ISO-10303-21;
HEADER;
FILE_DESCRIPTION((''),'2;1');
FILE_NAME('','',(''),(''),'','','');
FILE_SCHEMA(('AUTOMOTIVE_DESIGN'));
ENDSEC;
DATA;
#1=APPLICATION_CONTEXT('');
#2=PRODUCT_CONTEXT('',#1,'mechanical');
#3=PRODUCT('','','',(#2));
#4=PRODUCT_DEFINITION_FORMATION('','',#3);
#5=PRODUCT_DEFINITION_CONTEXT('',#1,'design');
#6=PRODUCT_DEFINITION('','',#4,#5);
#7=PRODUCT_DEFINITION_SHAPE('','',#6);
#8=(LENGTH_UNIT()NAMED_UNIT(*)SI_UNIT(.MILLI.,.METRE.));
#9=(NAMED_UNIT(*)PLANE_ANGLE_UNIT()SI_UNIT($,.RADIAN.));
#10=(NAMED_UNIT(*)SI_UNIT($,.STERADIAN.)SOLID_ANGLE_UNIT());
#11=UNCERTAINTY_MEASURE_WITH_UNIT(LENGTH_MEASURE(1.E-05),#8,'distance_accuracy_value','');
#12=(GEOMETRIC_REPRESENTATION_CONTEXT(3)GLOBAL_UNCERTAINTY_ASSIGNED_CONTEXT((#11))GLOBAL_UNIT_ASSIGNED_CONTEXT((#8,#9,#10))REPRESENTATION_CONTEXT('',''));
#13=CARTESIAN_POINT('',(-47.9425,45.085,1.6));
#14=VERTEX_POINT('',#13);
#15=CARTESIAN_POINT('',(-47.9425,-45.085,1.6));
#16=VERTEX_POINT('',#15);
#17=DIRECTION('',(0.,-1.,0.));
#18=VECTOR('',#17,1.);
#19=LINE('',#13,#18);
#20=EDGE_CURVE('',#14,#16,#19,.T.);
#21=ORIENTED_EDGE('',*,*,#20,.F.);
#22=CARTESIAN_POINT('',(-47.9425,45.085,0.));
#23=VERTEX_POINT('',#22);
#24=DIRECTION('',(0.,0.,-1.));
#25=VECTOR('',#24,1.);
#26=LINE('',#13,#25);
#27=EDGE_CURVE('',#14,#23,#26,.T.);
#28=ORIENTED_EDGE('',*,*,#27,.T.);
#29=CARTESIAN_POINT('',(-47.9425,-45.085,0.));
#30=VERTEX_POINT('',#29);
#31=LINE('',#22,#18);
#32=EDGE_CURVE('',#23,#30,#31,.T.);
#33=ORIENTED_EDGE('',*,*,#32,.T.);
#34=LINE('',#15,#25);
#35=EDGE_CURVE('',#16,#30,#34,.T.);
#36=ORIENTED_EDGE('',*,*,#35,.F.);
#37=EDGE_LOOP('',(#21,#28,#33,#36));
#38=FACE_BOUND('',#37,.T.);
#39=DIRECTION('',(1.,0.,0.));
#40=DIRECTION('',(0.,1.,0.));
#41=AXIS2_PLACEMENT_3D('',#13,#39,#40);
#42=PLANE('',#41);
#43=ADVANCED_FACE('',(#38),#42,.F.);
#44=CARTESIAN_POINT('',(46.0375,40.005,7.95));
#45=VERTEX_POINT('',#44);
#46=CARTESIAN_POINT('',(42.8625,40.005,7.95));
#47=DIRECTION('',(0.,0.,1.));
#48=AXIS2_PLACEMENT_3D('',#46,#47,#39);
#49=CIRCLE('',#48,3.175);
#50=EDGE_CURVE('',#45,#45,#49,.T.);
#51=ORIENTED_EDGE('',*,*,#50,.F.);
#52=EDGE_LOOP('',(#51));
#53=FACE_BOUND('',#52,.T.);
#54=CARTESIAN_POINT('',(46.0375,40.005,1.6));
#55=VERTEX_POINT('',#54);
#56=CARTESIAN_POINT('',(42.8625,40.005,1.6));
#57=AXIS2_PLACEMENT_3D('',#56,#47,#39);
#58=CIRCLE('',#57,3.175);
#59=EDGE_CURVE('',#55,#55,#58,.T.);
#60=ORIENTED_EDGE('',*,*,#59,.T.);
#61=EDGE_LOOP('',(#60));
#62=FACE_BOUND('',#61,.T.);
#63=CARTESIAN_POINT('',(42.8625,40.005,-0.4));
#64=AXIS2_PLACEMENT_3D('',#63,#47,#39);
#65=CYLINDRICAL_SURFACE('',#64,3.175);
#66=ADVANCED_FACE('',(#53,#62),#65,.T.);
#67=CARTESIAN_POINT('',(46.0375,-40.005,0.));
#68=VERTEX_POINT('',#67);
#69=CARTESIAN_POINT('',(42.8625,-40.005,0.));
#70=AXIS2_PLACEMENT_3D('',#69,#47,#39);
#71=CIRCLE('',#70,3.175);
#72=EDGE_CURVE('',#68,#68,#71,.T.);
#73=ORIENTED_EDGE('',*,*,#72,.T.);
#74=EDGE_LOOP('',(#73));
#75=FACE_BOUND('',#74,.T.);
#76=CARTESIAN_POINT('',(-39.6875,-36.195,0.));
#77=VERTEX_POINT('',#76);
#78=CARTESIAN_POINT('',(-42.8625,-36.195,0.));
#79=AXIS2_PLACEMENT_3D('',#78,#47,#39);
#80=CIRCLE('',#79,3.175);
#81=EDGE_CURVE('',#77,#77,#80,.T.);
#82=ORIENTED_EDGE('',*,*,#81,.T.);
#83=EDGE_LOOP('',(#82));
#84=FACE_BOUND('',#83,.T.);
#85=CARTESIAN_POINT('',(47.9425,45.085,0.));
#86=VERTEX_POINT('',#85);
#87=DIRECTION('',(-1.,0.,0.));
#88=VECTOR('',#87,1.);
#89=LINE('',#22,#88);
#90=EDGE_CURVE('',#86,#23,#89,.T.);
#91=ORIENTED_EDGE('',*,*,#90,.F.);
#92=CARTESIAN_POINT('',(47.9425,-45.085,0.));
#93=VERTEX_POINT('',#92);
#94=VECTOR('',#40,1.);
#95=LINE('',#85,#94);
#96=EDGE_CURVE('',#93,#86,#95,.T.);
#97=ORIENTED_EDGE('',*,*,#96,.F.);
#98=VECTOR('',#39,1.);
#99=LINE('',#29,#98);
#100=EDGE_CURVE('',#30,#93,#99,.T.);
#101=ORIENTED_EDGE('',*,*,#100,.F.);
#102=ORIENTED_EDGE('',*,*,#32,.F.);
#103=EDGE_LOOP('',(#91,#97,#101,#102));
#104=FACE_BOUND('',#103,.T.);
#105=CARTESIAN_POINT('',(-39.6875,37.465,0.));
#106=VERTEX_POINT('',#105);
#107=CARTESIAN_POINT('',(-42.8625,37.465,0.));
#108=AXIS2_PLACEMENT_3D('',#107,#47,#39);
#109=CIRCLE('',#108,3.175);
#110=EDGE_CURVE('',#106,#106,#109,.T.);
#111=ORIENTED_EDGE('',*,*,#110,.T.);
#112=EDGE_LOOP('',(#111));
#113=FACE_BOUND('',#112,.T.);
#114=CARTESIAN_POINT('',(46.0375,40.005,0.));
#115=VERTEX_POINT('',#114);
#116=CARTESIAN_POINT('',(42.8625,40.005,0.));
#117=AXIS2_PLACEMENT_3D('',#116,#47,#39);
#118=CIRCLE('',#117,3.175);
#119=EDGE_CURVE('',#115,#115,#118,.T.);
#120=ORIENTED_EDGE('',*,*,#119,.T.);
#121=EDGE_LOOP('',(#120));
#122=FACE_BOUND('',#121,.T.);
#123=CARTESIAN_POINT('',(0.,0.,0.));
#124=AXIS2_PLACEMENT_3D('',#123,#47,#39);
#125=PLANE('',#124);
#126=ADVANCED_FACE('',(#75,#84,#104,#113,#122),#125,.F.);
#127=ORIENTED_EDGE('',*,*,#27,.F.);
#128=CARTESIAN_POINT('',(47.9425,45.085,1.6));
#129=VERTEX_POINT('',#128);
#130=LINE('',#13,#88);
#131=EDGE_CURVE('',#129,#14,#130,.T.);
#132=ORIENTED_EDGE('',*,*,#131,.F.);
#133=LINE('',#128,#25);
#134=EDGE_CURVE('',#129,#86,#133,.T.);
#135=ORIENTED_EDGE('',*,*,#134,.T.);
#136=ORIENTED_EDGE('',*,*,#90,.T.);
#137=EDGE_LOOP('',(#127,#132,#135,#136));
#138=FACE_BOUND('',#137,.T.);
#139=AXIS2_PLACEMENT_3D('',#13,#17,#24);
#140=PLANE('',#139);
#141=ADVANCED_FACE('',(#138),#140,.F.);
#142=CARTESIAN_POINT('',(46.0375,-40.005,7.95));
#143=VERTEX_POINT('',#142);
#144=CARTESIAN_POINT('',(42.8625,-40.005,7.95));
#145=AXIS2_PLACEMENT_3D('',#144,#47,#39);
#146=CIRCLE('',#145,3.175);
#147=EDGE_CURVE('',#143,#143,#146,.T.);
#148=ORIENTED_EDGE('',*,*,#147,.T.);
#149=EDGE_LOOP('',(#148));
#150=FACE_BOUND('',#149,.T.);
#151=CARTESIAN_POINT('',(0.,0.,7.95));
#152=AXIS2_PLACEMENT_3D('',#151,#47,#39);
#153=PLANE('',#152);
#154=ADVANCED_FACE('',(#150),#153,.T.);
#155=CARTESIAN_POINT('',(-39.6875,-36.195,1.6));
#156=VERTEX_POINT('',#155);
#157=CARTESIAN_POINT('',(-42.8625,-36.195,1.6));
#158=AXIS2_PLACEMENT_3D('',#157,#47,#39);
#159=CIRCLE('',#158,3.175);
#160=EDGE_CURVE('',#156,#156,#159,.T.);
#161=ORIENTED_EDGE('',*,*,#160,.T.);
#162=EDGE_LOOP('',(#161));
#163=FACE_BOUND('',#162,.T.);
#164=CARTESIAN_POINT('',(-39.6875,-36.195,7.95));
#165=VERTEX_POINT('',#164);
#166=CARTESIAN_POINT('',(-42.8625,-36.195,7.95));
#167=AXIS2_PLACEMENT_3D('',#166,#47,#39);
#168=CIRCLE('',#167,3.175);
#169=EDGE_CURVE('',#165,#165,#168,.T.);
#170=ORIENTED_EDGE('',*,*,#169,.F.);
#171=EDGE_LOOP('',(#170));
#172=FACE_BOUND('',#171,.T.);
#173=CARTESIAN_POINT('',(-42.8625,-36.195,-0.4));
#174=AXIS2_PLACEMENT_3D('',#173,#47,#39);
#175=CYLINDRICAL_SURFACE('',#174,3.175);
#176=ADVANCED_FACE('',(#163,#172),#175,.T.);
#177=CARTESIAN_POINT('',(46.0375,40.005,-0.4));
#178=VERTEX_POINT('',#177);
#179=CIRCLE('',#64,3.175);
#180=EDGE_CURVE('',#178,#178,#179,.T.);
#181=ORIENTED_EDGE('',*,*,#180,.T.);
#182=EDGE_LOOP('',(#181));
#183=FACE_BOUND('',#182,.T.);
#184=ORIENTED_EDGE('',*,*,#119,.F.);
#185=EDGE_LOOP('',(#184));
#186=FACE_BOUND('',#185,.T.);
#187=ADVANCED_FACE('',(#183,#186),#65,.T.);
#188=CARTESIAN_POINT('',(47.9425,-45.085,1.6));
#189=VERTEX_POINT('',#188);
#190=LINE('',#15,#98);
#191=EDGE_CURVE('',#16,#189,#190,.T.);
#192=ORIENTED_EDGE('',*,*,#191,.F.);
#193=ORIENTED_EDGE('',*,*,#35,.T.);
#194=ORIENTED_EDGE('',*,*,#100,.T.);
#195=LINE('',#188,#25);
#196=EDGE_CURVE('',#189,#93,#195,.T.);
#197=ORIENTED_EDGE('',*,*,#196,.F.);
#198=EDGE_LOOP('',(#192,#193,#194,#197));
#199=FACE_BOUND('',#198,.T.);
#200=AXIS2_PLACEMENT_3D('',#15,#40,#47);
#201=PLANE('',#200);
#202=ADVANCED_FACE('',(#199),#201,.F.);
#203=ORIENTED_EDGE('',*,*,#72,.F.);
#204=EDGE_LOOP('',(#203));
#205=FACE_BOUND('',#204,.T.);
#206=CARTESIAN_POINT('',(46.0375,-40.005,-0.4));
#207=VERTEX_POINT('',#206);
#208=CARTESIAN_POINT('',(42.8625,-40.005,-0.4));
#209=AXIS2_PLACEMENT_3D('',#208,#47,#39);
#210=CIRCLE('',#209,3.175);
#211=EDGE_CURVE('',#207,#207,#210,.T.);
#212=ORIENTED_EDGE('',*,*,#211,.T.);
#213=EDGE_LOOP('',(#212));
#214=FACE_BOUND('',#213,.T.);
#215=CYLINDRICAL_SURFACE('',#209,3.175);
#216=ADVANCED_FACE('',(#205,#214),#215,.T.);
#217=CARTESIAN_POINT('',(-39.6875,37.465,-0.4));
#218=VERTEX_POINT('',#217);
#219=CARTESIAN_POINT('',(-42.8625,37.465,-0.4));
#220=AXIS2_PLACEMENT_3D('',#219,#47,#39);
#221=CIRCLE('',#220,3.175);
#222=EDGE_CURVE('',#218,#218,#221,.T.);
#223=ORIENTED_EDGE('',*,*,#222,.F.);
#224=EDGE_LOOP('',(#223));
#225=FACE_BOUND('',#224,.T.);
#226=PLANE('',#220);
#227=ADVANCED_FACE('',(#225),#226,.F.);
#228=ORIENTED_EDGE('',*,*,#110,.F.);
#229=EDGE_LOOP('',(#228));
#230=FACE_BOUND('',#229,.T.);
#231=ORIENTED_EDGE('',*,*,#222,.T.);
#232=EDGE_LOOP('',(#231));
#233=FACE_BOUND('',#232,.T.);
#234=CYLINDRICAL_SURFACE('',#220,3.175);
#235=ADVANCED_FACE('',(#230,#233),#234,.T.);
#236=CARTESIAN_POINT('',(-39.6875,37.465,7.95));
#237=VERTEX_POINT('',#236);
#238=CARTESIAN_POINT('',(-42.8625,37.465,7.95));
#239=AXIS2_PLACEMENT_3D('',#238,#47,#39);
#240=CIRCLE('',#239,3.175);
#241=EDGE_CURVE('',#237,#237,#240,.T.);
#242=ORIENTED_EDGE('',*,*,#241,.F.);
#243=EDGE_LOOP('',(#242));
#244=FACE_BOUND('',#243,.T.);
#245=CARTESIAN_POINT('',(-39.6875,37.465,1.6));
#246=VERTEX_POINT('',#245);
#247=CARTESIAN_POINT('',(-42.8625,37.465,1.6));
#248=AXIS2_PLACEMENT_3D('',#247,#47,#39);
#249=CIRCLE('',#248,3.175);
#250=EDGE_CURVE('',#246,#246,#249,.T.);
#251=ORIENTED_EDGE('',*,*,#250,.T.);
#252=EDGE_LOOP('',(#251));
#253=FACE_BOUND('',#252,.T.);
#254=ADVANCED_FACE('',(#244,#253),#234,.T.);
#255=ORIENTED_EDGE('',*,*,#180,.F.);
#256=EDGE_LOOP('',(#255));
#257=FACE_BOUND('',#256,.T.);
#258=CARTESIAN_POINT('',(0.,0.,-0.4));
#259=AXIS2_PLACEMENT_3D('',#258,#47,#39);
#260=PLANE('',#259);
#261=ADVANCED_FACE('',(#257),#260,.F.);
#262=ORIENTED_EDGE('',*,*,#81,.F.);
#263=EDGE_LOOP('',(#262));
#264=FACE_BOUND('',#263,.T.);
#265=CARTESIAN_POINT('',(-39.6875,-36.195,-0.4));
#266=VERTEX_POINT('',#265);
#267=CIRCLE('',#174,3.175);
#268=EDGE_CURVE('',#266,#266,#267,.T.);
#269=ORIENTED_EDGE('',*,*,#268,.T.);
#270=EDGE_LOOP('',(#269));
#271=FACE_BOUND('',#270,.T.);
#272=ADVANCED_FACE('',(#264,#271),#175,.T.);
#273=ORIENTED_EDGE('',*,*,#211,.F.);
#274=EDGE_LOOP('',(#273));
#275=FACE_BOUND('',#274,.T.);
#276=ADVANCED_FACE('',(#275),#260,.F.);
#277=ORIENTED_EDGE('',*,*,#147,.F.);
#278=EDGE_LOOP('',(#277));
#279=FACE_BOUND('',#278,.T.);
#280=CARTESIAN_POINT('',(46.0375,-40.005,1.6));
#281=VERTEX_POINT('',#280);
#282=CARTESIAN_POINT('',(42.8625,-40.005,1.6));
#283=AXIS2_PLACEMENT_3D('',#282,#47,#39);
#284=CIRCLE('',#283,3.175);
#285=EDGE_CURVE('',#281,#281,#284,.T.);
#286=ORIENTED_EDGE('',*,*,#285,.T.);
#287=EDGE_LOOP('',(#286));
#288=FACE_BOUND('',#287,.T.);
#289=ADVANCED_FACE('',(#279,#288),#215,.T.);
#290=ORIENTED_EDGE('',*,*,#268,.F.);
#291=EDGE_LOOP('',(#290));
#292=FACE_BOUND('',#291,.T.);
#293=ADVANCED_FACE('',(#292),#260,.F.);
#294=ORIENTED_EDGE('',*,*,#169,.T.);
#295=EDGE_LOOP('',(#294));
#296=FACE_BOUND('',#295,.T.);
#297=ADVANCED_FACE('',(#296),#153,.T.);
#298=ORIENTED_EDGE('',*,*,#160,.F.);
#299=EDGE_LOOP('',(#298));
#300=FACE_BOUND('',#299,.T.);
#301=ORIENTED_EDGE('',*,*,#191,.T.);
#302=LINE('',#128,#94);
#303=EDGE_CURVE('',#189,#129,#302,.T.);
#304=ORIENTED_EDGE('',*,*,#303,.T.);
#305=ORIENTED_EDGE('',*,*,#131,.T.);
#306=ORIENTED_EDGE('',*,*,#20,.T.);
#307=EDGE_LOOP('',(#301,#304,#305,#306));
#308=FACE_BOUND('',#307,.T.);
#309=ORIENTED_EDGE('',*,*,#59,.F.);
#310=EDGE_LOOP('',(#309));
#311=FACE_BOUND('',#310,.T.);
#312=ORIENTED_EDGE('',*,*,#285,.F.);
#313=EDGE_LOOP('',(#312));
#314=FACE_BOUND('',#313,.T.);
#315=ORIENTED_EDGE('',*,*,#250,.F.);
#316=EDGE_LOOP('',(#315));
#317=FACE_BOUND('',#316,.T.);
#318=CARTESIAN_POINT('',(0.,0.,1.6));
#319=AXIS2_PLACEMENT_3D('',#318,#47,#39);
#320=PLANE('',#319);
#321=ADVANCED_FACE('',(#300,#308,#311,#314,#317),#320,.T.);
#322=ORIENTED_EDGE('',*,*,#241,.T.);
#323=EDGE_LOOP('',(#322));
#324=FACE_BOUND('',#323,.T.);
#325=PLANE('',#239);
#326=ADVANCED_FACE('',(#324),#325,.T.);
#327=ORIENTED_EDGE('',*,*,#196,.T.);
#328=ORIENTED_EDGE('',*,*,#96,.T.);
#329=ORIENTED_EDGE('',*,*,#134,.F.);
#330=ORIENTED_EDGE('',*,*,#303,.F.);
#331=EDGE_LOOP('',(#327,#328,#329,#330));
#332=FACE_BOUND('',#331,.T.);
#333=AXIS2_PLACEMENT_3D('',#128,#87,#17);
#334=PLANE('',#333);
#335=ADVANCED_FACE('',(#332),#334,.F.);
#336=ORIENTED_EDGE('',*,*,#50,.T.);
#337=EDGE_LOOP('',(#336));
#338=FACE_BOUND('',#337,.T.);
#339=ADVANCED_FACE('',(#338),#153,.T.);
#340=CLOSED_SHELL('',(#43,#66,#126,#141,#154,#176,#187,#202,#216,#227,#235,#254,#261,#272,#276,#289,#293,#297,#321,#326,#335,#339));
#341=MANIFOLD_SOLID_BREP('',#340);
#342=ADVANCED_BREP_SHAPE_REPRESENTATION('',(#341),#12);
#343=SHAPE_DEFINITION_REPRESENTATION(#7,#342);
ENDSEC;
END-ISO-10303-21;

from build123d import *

# Parameters (mm, degrees)
SKETCH1_W                = 95.885
SKETCH1_H                = 90.17
SKETCH1_R                = 3.175
BOSS_EXTRUDE1_DEPTH      = 1.6
BOSS_EXTRUDE2_DEPTH      = 7.95
BOSS_EXTRUDE2_DEPTH_BACK = 0.4
SKETCH1_3_R              = 3.175


with BuildPart() as part:
    # Sketch1 → Boss-Extrude1 (new body)
    with BuildSketch(Plane.XY):
        Rectangle(SKETCH1_W, SKETCH1_H)
        with Locations((42.8625, -40.005)):
            Circle(SKETCH1_R, mode=Mode.SUBTRACT)
        with Locations((-42.8625, -36.195)):
            Circle(SKETCH1_R, mode=Mode.SUBTRACT)
        with Locations((-42.8625, 37.465)):
            Circle(SKETCH1_R, mode=Mode.SUBTRACT)
        with Locations((42.8625, 40.005)):
            Circle(SKETCH1_R, mode=Mode.SUBTRACT)
    extrude(amount=BOSS_EXTRUDE1_DEPTH)

    # Sketch1<3> → Boss-Extrude2 (add, two sides: drawn at the far end of the back side and taken through both)
    with BuildSketch(Plane.XY.offset(-BOSS_EXTRUDE2_DEPTH_BACK)):
        with Locations((42.8625, 40.005)):
            Circle(SKETCH1_3_R)
        with Locations((-42.8625, -36.195)):
            Circle(SKETCH1_3_R)
        with Locations((42.8625, -40.005)):
            Circle(SKETCH1_3_R)
        with Locations((-42.8625, 37.465)):
            Circle(SKETCH1_3_R)
    extrude(amount=BOSS_EXTRUDE2_DEPTH + BOSS_EXTRUDE2_DEPTH_BACK)


solid = part.part
